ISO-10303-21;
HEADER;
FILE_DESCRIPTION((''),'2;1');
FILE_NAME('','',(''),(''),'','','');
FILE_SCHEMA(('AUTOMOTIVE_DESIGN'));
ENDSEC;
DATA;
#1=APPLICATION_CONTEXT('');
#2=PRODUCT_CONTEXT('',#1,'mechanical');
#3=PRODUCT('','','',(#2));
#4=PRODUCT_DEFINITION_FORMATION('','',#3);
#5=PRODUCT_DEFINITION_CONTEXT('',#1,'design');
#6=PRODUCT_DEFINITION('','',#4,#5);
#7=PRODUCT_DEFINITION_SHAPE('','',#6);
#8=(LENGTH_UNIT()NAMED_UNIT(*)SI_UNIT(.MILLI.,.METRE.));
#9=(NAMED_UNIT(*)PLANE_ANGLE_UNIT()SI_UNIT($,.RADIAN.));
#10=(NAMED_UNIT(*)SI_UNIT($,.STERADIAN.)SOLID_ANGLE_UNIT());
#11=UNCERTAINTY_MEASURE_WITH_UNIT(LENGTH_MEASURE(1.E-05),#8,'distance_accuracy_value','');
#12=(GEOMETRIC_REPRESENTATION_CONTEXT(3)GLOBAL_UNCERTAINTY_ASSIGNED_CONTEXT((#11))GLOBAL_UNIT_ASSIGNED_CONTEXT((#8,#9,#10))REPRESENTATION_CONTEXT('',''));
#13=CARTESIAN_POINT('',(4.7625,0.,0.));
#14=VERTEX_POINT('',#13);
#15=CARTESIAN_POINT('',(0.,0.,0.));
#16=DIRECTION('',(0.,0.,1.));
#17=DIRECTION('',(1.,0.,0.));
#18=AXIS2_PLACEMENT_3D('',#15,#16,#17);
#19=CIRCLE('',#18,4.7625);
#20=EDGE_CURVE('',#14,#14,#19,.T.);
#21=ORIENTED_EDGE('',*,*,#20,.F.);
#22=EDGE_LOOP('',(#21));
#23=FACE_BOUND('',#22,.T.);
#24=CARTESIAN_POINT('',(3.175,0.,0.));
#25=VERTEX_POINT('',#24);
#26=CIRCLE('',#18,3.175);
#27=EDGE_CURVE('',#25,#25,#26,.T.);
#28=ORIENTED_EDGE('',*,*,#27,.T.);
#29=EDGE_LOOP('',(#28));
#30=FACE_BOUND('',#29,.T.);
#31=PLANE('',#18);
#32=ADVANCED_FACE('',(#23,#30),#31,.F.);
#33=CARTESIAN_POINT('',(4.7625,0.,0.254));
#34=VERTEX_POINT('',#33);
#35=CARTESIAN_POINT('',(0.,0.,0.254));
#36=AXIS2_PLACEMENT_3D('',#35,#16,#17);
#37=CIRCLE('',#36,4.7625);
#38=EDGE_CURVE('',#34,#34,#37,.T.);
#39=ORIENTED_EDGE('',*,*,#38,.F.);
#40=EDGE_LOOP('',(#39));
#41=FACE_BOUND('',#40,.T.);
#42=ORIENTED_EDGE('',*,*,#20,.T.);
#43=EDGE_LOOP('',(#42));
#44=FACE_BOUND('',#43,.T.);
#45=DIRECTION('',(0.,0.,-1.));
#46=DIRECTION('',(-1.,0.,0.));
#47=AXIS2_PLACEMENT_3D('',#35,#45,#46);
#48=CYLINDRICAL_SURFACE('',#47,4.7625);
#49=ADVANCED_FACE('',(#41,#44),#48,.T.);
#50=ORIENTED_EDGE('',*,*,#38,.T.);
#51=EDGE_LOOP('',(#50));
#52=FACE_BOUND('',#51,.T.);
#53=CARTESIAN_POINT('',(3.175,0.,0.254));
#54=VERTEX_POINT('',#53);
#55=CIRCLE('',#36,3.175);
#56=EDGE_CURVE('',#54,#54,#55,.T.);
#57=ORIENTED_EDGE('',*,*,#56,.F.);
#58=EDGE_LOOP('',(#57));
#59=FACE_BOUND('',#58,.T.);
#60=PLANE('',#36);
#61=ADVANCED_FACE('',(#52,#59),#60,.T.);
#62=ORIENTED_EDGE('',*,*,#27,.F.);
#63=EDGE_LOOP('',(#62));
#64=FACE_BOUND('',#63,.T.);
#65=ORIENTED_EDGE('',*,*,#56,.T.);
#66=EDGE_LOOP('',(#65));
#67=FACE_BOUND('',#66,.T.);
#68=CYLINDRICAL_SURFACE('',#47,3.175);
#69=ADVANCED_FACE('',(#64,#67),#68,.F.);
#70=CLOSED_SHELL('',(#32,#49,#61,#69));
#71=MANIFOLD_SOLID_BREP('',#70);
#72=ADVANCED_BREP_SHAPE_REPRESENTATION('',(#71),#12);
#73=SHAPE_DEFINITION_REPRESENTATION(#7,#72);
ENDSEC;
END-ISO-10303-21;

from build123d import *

# Parameters (mm, degrees)
SKETCH1_R           = 4.7625
SKETCH1_R_2         = 3.175
BOSS_EXTRUDE1_DEPTH = 0.254


with BuildPart() as part:
    # Sketch1 → Boss-Extrude1 (new body)
    with BuildSketch(Plane.XY):
        Circle(SKETCH1_R)
        Circle(SKETCH1_R_2, mode=Mode.SUBTRACT)
    extrude(amount=BOSS_EXTRUDE1_DEPTH)


solid = part.part
